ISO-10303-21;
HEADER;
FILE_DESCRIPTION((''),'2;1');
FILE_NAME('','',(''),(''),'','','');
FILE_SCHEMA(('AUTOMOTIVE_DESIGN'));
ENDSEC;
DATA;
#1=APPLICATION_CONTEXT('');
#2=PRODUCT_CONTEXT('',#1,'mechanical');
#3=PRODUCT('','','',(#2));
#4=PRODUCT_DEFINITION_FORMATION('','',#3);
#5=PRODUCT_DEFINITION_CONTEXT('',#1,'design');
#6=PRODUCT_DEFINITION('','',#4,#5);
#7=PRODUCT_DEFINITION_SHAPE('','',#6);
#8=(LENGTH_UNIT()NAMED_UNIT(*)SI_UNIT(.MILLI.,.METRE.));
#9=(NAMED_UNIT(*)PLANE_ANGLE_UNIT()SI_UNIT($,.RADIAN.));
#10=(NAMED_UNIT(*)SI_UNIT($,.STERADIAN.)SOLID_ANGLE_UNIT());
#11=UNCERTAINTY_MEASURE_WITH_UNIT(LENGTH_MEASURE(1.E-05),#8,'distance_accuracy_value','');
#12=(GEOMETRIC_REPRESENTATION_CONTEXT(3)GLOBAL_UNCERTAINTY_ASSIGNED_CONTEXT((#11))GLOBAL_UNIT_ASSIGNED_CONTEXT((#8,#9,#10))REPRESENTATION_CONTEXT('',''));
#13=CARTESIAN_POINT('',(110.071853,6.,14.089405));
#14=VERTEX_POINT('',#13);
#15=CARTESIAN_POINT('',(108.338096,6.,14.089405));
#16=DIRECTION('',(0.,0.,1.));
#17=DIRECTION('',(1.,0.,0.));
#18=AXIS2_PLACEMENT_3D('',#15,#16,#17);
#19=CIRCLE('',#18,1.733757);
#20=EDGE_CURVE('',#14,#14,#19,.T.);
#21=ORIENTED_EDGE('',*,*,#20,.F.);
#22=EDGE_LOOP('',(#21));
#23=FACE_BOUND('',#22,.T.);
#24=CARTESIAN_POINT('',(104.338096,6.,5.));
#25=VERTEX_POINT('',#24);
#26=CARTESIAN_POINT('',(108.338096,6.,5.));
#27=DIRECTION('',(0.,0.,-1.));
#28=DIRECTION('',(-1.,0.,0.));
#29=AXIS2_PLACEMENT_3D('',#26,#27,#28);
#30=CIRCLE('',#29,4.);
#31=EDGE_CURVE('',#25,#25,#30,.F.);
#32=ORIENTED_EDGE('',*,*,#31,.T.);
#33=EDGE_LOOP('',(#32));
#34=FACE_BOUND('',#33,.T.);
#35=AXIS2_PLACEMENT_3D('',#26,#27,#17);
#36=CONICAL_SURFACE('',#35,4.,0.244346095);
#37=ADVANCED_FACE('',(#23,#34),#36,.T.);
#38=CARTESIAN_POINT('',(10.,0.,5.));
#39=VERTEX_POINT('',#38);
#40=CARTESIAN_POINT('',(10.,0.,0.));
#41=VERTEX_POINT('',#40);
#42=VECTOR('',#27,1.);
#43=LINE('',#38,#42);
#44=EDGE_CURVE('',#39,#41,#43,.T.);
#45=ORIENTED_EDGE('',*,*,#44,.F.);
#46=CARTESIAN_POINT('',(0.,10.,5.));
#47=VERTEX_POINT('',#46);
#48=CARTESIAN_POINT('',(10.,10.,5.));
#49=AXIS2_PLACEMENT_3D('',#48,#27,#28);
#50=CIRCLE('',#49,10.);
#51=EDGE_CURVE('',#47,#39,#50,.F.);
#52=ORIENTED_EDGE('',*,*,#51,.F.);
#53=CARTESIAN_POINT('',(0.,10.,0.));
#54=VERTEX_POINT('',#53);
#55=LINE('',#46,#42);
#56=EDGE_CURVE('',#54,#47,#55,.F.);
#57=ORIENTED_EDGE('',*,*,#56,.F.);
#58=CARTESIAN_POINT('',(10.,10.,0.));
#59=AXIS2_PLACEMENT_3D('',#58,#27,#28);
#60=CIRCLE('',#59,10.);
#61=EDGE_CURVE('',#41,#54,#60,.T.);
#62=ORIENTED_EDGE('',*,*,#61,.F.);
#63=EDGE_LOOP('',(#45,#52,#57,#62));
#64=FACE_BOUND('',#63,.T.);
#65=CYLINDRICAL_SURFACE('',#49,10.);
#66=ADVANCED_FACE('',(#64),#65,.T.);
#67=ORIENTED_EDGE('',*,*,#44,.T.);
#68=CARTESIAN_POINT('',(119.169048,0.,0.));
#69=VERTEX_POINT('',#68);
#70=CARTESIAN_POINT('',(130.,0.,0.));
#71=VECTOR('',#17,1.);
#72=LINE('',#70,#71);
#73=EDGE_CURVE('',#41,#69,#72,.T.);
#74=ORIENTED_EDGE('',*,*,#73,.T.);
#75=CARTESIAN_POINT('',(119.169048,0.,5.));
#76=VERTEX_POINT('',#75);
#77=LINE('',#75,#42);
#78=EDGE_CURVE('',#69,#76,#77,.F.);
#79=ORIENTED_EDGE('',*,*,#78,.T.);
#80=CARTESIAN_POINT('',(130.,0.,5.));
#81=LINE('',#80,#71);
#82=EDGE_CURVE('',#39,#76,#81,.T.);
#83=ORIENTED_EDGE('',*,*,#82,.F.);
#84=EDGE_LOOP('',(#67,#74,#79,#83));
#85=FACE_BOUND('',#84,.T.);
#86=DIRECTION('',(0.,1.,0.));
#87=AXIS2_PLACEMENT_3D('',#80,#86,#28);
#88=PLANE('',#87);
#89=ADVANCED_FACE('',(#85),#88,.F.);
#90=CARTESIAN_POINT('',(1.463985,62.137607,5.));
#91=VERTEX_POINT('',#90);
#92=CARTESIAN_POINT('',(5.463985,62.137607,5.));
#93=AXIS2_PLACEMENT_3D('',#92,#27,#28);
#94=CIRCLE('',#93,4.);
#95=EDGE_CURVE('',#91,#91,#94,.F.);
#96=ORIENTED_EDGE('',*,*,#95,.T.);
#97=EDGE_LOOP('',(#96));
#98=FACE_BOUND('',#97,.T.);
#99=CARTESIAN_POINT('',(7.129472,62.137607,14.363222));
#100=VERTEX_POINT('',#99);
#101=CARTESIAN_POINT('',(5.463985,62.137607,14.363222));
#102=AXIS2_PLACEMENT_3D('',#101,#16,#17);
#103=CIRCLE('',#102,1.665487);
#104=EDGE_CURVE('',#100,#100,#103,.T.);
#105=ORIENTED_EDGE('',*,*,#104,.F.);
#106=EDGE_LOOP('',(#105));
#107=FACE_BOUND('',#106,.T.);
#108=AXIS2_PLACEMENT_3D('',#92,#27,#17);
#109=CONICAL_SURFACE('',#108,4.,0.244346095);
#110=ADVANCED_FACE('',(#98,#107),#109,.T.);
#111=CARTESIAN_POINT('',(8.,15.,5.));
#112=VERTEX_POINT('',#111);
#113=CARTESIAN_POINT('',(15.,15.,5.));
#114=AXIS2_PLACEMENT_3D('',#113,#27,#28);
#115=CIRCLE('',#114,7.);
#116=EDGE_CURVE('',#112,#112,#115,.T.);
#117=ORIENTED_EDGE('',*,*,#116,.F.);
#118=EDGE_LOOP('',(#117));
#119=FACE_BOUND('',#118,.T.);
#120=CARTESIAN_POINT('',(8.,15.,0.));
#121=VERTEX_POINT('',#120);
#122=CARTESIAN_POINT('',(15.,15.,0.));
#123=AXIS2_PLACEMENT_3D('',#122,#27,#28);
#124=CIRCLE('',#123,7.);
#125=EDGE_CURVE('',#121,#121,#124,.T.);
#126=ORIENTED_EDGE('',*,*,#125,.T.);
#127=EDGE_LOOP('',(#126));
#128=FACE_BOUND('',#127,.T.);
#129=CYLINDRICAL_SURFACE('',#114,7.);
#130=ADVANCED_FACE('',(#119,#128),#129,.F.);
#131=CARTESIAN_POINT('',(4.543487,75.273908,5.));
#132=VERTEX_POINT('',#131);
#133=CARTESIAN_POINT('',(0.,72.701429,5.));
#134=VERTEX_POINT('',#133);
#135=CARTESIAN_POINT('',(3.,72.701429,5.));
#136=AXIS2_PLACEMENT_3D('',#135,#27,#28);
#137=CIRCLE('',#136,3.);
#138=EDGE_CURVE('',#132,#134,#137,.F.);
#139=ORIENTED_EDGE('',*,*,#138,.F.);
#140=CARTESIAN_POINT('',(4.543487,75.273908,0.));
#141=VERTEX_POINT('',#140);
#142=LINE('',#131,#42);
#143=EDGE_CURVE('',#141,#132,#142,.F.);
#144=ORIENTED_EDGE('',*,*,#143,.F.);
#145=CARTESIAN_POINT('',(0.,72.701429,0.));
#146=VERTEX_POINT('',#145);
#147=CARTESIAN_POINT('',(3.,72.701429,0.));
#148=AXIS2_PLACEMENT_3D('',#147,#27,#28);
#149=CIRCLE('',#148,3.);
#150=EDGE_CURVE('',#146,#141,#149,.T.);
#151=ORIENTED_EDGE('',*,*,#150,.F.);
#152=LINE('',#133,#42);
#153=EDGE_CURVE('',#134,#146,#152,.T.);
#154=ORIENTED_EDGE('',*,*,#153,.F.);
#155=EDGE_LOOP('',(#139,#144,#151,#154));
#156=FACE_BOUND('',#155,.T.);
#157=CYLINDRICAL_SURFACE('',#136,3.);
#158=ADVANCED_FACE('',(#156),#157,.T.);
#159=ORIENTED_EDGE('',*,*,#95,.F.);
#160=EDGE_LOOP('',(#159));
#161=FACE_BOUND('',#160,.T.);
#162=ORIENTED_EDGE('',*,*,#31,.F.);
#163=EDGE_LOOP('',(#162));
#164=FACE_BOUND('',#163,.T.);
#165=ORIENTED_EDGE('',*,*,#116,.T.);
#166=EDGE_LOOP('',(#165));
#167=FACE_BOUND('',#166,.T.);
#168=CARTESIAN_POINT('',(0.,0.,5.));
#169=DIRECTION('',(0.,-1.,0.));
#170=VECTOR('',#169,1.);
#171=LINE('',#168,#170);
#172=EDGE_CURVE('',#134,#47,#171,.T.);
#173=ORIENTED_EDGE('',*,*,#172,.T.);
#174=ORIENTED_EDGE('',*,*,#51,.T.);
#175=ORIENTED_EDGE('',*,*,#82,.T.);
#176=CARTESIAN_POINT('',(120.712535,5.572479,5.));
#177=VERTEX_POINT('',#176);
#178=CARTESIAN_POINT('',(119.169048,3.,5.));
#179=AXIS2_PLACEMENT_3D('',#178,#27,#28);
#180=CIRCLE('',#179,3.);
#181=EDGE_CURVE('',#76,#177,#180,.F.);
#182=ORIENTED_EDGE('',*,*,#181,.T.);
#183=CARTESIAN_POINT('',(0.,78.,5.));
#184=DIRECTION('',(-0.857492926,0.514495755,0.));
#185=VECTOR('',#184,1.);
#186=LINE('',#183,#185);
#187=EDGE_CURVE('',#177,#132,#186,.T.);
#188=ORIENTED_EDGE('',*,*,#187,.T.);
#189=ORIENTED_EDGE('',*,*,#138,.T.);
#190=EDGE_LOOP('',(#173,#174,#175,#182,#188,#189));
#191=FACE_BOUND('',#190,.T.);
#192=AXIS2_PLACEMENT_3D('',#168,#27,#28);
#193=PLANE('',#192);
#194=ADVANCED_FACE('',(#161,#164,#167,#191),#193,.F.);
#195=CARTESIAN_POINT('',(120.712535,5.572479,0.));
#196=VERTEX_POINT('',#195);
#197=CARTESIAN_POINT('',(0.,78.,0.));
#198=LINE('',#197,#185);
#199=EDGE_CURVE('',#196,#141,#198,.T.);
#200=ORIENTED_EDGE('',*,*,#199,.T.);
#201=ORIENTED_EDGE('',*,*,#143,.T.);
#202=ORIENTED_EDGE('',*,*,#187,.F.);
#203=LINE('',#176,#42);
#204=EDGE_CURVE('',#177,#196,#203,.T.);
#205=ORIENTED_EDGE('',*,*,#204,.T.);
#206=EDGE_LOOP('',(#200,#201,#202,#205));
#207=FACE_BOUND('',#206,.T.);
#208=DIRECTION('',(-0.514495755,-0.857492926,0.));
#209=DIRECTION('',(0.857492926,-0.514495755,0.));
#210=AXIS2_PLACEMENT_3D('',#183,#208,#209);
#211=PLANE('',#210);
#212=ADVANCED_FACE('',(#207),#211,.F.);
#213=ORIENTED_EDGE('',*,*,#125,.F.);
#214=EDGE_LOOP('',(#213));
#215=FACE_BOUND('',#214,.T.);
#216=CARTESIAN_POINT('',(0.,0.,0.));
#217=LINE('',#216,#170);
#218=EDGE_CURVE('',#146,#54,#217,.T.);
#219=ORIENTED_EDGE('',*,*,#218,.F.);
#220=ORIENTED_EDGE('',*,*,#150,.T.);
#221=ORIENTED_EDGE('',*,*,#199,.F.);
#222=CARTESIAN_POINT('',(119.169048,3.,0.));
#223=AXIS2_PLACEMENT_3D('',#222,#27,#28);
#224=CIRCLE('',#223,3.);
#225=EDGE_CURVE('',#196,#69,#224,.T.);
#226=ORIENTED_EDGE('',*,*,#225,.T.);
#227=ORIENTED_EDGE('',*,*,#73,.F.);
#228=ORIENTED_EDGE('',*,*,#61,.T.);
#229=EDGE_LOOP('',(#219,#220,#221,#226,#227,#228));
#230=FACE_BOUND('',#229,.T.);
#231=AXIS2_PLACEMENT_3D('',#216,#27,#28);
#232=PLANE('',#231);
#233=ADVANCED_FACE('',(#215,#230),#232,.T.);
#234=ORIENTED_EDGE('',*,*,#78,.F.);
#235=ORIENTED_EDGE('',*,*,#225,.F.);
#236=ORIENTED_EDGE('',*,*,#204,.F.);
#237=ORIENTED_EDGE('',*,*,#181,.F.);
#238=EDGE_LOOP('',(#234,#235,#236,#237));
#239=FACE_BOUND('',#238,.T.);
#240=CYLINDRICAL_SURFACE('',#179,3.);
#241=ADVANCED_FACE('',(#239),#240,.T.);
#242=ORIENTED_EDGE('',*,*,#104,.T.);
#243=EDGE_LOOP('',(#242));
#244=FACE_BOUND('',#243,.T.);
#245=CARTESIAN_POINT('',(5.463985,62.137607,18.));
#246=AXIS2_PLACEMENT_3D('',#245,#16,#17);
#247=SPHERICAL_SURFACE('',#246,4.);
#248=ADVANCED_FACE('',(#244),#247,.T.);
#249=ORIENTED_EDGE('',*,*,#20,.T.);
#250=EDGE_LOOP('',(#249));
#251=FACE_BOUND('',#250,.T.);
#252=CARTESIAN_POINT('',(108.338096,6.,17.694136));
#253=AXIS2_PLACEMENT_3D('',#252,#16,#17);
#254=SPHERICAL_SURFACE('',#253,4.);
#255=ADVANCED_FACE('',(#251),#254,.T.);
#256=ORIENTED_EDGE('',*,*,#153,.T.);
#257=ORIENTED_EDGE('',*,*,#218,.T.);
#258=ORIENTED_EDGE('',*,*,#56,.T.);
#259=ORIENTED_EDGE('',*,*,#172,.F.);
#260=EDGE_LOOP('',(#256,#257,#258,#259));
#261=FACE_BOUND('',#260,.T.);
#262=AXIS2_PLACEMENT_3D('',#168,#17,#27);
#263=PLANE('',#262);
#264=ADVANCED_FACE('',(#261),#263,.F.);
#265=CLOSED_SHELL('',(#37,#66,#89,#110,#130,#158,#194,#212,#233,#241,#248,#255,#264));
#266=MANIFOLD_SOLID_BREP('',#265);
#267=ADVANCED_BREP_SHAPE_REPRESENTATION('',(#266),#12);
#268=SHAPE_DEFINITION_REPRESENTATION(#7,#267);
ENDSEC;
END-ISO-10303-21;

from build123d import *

# Parameters (mm, degrees)
ESTRUSIONE_ESTRUSIONE1_DEPTH = 5
SCHIZZO2_R                   = 7
TAGLIO_ESTRUSIONE1_DEPTH     = 152.6871781
RACCORDO1_R                  = 10
SCHIZZO3_R                   = 4
ESTRUSIONE_ESTRUSIONE2_DEPTH = 10
ESTRUSIONE_ESTRUSIONE2_TAPER = 14
RACCORDO2_R                  = 3
SCHIZZO6_R                   = 4
ESTRUSIONE_ESTRUSIONE3_DEPTH = 10
ESTRUSIONE_ESTRUSIONE3_TAPER = 14


with BuildPart() as part:
    # Schizzo1 → Estrusione-Estrusione1 (new body)
    with BuildSketch(Plane.XY):
        Polygon((0, 0), (0, 78), (130, 0), align=None)
    extrude(amount=ESTRUSIONE_ESTRUSIONE1_DEPTH)

    # Schizzo2 → Taglio-Estrusione1 (cut, through all)
    with BuildSketch(Plane(origin=(0, 0, 0), x_dir=(-1, 0, 0), z_dir=(0, 0, -1))):
        with Locations((-15, 15)):
            Circle(SCHIZZO2_R)
    extrude(amount=-TAGLIO_ESTRUSIONE1_DEPTH, mode=Mode.SUBTRACT)

    # Raccordo1
    raccordo1_edges = [part.edges().sort_by_distance(p)[0] for p in [
        (0, 0, 2.5),
    ]]
    fillet(raccordo1_edges, radius=RACCORDO1_R)

    # Schizzo3 → Estrusione-Estrusione2 (add)
    with BuildSketch(Plane.XY.offset(5)):
        with Locations((5.463985213, 62.137606809)):
            Circle(SCHIZZO3_R)
    extrude(amount=ESTRUSIONE_ESTRUSIONE2_DEPTH, taper=ESTRUSIONE_ESTRUSIONE2_TAPER)

    # Schizzo5 → Rivoluzione1 (revolve)
    with BuildSketch(Plane(origin=(0, 62.137606809, 0), x_dir=(1, 0, 0), z_dir=(0, 1, 0))):
        with BuildLine():
            Line((9.463985213, -18), (1.463985213, -18))
            ThreePointArc((1.463985213, -18), (5.463985213, -22), (9.463985213, -18))
        make_face()
    revolve(axis=Axis((9.463985213, 62.137606809, 18), (-1, 0, 0)))

    # Raccordo2
    raccordo2_edges = [part.edges().sort_by_distance(p)[0] for p in [
        (0, 78, 2.5),
        (130, 0, 2.5),
    ]]
    fillet(raccordo2_edges, radius=RACCORDO2_R)

    # Schizzo6 → Estrusione-Estrusione3 (add)
    with BuildSketch(Plane.XY.offset(5)):
        with Locations((108.33809621, 6)):
            Circle(SCHIZZO6_R)
    extrude(amount=ESTRUSIONE_ESTRUSIONE3_DEPTH, taper=ESTRUSIONE_ESTRUSIONE3_TAPER)

    # Schizzo9 → Rivoluzione3 (revolve)
    with BuildSketch(Plane(origin=(0, 6, 0), x_dir=(1, 0, 0), z_dir=(0, 1, 0))):
        with BuildLine():
            Line((112.33809621, -17.694136404), (104.33809621, -17.694136404))
            ThreePointArc((104.33809621, -17.694136404), (108.33809621, -21.694136404), (112.33809621, -17.694136404))
        make_face()
    revolve(axis=Axis((112.33809621, 6, 17.694136404), (-1, 0, 0)))


solid = part.part
